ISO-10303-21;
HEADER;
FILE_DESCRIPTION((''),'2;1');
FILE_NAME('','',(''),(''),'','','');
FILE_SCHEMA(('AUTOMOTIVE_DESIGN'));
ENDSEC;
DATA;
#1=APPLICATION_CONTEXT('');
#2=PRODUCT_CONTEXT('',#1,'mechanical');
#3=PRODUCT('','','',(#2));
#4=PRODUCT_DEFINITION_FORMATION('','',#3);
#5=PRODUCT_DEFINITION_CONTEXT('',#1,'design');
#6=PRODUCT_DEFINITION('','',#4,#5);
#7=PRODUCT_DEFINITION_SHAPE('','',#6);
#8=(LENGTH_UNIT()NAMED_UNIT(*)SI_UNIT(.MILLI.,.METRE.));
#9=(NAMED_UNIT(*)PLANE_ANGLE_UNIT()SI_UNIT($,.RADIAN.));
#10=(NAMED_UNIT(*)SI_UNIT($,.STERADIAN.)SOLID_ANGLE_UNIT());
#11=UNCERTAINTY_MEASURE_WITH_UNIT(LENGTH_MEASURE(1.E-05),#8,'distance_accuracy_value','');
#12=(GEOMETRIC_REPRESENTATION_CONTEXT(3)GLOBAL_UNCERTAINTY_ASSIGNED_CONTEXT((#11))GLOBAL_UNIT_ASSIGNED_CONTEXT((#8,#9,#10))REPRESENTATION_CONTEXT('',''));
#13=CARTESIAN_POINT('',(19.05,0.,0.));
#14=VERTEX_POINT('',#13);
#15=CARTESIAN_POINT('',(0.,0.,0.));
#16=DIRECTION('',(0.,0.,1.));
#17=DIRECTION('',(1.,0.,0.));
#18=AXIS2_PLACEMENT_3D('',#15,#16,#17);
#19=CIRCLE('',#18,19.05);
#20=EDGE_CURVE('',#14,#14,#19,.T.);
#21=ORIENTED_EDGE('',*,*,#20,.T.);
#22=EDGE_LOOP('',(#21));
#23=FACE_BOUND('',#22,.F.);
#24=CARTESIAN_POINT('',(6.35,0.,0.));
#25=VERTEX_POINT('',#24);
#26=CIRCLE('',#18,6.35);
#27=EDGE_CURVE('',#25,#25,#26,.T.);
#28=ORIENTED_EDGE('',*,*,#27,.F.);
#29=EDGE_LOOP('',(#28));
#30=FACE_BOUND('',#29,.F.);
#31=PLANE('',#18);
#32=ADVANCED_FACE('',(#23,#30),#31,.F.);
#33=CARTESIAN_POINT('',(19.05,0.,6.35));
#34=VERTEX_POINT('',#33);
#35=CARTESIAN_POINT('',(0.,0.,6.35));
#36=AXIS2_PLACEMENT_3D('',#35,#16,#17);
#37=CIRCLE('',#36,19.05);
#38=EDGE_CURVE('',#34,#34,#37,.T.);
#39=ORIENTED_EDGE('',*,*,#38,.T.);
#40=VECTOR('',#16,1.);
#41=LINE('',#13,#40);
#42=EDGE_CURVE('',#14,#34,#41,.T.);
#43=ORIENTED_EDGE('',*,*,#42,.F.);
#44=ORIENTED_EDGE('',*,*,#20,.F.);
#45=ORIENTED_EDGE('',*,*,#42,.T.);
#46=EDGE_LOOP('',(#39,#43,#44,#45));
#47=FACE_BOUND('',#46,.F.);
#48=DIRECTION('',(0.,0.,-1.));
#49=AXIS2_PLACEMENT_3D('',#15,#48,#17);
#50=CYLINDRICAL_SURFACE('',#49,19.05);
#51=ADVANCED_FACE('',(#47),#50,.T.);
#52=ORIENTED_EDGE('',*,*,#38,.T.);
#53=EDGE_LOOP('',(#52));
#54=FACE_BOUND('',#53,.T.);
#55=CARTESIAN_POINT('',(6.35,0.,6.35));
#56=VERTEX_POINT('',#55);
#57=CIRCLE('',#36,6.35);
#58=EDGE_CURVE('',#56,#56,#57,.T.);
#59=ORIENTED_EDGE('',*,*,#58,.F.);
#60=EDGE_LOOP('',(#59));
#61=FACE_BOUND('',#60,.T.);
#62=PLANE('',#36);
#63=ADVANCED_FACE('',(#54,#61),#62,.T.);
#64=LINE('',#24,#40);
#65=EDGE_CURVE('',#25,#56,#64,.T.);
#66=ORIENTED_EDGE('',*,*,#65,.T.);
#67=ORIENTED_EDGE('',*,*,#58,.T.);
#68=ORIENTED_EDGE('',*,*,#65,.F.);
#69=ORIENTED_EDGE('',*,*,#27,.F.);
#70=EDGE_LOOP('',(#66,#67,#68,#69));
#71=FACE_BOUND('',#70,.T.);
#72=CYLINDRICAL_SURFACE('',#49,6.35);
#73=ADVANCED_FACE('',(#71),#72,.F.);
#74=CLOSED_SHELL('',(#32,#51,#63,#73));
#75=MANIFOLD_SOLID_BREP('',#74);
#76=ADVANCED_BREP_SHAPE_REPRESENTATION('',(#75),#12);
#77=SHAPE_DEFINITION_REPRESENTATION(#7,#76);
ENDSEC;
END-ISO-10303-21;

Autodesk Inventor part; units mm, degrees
ref_plane "YZ Plane" through (0, 0, 0) normal (1, 0, 0) x (0, 1, 0)
ref_plane "XZ Plane" through (0, 0, 0) normal (0, 1, 0) x (-1, 0, 0)
ref_plane "XY Plane" through (0, 0, 0) normal (0, 0, 1) x (1, 0, 0)
sketch "Sketch1" plane through (0, 0, 0) normal (0, 0, 1) x (1, 0, 0)
  circle A0 centre (0, 0) radius 19.05
  circle A1 centre (0, 0) radius 6.35
  dimension "d0" = 38.1
  dimension "d1" = 12.7
extrude "Extrusion1" add sketch "Sketch1" along normal blind 6.35
properties part number "round"
